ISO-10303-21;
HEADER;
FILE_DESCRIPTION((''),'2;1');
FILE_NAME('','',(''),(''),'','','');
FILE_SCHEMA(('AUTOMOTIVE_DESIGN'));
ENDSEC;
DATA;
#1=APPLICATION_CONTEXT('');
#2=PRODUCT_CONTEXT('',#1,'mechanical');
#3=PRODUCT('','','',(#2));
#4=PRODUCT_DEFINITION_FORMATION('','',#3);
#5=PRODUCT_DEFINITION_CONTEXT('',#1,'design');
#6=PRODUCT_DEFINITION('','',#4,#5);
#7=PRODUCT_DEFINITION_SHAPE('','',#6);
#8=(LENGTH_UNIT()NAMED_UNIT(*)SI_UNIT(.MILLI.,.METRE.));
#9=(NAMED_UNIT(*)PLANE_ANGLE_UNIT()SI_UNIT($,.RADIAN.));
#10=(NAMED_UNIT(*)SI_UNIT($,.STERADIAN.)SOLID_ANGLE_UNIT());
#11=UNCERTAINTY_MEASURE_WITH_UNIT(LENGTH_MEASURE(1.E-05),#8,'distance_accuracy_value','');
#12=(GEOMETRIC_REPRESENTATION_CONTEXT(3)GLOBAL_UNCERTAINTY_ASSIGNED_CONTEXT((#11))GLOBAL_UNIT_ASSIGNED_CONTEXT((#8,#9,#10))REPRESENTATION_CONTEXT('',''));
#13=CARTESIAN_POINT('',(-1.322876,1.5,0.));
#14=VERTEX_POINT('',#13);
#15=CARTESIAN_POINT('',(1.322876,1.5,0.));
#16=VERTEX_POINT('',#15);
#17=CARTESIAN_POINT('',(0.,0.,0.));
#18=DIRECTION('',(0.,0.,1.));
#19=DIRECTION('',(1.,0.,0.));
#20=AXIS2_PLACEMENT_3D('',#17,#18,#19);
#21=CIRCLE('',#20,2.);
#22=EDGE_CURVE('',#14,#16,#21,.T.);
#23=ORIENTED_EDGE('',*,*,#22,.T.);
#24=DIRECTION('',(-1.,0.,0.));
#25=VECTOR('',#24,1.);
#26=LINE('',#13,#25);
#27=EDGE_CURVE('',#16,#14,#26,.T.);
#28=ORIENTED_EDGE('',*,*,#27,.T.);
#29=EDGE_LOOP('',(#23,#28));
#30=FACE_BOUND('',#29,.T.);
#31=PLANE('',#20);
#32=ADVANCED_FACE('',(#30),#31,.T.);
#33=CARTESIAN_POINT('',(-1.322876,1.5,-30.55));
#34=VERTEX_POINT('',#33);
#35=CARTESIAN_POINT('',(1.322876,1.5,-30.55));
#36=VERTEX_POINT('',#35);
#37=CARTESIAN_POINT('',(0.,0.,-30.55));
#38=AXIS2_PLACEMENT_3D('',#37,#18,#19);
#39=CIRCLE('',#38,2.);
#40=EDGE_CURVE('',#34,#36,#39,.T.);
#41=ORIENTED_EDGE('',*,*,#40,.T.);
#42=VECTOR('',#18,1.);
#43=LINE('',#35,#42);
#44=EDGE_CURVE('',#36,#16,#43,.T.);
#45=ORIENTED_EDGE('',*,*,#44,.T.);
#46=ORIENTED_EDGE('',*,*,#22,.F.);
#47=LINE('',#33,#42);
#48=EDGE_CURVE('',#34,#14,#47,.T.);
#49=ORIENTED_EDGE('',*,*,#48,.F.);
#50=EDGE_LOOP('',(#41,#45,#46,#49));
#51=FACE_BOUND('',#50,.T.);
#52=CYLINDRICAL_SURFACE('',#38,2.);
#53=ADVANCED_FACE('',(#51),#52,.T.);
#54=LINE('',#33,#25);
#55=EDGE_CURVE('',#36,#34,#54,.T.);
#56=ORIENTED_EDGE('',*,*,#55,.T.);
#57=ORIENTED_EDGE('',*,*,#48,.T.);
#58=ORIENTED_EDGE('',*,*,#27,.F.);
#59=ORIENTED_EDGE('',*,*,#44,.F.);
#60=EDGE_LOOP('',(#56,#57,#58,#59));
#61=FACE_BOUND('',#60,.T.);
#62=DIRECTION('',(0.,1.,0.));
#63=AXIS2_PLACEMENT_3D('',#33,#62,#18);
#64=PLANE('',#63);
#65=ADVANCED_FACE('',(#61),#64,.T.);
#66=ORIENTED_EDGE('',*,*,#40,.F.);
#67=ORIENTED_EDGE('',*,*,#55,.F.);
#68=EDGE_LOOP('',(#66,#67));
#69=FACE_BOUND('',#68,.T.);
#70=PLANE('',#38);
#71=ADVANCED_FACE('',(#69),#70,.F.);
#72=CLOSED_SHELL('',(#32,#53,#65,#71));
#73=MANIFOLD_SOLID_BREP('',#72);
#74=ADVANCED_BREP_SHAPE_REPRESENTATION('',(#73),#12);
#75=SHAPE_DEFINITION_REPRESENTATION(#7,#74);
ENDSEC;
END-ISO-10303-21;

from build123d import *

# Parameters (mm, degrees)
EXTRUDE1_DEPTH = 30.55


with BuildPart() as part:
    # Sketch1 → Extrude1 (new body)
    with BuildSketch(Plane.XY):
        with BuildLine():
            Line((-1.322875656, 1.5), (1.322875656, 1.5))
            ThreePointArc((1.322875656, 1.5), (0, -2), (-1.322875656, 1.5))
        make_face()
    extrude(amount=-EXTRUDE1_DEPTH)


solid = part.part
